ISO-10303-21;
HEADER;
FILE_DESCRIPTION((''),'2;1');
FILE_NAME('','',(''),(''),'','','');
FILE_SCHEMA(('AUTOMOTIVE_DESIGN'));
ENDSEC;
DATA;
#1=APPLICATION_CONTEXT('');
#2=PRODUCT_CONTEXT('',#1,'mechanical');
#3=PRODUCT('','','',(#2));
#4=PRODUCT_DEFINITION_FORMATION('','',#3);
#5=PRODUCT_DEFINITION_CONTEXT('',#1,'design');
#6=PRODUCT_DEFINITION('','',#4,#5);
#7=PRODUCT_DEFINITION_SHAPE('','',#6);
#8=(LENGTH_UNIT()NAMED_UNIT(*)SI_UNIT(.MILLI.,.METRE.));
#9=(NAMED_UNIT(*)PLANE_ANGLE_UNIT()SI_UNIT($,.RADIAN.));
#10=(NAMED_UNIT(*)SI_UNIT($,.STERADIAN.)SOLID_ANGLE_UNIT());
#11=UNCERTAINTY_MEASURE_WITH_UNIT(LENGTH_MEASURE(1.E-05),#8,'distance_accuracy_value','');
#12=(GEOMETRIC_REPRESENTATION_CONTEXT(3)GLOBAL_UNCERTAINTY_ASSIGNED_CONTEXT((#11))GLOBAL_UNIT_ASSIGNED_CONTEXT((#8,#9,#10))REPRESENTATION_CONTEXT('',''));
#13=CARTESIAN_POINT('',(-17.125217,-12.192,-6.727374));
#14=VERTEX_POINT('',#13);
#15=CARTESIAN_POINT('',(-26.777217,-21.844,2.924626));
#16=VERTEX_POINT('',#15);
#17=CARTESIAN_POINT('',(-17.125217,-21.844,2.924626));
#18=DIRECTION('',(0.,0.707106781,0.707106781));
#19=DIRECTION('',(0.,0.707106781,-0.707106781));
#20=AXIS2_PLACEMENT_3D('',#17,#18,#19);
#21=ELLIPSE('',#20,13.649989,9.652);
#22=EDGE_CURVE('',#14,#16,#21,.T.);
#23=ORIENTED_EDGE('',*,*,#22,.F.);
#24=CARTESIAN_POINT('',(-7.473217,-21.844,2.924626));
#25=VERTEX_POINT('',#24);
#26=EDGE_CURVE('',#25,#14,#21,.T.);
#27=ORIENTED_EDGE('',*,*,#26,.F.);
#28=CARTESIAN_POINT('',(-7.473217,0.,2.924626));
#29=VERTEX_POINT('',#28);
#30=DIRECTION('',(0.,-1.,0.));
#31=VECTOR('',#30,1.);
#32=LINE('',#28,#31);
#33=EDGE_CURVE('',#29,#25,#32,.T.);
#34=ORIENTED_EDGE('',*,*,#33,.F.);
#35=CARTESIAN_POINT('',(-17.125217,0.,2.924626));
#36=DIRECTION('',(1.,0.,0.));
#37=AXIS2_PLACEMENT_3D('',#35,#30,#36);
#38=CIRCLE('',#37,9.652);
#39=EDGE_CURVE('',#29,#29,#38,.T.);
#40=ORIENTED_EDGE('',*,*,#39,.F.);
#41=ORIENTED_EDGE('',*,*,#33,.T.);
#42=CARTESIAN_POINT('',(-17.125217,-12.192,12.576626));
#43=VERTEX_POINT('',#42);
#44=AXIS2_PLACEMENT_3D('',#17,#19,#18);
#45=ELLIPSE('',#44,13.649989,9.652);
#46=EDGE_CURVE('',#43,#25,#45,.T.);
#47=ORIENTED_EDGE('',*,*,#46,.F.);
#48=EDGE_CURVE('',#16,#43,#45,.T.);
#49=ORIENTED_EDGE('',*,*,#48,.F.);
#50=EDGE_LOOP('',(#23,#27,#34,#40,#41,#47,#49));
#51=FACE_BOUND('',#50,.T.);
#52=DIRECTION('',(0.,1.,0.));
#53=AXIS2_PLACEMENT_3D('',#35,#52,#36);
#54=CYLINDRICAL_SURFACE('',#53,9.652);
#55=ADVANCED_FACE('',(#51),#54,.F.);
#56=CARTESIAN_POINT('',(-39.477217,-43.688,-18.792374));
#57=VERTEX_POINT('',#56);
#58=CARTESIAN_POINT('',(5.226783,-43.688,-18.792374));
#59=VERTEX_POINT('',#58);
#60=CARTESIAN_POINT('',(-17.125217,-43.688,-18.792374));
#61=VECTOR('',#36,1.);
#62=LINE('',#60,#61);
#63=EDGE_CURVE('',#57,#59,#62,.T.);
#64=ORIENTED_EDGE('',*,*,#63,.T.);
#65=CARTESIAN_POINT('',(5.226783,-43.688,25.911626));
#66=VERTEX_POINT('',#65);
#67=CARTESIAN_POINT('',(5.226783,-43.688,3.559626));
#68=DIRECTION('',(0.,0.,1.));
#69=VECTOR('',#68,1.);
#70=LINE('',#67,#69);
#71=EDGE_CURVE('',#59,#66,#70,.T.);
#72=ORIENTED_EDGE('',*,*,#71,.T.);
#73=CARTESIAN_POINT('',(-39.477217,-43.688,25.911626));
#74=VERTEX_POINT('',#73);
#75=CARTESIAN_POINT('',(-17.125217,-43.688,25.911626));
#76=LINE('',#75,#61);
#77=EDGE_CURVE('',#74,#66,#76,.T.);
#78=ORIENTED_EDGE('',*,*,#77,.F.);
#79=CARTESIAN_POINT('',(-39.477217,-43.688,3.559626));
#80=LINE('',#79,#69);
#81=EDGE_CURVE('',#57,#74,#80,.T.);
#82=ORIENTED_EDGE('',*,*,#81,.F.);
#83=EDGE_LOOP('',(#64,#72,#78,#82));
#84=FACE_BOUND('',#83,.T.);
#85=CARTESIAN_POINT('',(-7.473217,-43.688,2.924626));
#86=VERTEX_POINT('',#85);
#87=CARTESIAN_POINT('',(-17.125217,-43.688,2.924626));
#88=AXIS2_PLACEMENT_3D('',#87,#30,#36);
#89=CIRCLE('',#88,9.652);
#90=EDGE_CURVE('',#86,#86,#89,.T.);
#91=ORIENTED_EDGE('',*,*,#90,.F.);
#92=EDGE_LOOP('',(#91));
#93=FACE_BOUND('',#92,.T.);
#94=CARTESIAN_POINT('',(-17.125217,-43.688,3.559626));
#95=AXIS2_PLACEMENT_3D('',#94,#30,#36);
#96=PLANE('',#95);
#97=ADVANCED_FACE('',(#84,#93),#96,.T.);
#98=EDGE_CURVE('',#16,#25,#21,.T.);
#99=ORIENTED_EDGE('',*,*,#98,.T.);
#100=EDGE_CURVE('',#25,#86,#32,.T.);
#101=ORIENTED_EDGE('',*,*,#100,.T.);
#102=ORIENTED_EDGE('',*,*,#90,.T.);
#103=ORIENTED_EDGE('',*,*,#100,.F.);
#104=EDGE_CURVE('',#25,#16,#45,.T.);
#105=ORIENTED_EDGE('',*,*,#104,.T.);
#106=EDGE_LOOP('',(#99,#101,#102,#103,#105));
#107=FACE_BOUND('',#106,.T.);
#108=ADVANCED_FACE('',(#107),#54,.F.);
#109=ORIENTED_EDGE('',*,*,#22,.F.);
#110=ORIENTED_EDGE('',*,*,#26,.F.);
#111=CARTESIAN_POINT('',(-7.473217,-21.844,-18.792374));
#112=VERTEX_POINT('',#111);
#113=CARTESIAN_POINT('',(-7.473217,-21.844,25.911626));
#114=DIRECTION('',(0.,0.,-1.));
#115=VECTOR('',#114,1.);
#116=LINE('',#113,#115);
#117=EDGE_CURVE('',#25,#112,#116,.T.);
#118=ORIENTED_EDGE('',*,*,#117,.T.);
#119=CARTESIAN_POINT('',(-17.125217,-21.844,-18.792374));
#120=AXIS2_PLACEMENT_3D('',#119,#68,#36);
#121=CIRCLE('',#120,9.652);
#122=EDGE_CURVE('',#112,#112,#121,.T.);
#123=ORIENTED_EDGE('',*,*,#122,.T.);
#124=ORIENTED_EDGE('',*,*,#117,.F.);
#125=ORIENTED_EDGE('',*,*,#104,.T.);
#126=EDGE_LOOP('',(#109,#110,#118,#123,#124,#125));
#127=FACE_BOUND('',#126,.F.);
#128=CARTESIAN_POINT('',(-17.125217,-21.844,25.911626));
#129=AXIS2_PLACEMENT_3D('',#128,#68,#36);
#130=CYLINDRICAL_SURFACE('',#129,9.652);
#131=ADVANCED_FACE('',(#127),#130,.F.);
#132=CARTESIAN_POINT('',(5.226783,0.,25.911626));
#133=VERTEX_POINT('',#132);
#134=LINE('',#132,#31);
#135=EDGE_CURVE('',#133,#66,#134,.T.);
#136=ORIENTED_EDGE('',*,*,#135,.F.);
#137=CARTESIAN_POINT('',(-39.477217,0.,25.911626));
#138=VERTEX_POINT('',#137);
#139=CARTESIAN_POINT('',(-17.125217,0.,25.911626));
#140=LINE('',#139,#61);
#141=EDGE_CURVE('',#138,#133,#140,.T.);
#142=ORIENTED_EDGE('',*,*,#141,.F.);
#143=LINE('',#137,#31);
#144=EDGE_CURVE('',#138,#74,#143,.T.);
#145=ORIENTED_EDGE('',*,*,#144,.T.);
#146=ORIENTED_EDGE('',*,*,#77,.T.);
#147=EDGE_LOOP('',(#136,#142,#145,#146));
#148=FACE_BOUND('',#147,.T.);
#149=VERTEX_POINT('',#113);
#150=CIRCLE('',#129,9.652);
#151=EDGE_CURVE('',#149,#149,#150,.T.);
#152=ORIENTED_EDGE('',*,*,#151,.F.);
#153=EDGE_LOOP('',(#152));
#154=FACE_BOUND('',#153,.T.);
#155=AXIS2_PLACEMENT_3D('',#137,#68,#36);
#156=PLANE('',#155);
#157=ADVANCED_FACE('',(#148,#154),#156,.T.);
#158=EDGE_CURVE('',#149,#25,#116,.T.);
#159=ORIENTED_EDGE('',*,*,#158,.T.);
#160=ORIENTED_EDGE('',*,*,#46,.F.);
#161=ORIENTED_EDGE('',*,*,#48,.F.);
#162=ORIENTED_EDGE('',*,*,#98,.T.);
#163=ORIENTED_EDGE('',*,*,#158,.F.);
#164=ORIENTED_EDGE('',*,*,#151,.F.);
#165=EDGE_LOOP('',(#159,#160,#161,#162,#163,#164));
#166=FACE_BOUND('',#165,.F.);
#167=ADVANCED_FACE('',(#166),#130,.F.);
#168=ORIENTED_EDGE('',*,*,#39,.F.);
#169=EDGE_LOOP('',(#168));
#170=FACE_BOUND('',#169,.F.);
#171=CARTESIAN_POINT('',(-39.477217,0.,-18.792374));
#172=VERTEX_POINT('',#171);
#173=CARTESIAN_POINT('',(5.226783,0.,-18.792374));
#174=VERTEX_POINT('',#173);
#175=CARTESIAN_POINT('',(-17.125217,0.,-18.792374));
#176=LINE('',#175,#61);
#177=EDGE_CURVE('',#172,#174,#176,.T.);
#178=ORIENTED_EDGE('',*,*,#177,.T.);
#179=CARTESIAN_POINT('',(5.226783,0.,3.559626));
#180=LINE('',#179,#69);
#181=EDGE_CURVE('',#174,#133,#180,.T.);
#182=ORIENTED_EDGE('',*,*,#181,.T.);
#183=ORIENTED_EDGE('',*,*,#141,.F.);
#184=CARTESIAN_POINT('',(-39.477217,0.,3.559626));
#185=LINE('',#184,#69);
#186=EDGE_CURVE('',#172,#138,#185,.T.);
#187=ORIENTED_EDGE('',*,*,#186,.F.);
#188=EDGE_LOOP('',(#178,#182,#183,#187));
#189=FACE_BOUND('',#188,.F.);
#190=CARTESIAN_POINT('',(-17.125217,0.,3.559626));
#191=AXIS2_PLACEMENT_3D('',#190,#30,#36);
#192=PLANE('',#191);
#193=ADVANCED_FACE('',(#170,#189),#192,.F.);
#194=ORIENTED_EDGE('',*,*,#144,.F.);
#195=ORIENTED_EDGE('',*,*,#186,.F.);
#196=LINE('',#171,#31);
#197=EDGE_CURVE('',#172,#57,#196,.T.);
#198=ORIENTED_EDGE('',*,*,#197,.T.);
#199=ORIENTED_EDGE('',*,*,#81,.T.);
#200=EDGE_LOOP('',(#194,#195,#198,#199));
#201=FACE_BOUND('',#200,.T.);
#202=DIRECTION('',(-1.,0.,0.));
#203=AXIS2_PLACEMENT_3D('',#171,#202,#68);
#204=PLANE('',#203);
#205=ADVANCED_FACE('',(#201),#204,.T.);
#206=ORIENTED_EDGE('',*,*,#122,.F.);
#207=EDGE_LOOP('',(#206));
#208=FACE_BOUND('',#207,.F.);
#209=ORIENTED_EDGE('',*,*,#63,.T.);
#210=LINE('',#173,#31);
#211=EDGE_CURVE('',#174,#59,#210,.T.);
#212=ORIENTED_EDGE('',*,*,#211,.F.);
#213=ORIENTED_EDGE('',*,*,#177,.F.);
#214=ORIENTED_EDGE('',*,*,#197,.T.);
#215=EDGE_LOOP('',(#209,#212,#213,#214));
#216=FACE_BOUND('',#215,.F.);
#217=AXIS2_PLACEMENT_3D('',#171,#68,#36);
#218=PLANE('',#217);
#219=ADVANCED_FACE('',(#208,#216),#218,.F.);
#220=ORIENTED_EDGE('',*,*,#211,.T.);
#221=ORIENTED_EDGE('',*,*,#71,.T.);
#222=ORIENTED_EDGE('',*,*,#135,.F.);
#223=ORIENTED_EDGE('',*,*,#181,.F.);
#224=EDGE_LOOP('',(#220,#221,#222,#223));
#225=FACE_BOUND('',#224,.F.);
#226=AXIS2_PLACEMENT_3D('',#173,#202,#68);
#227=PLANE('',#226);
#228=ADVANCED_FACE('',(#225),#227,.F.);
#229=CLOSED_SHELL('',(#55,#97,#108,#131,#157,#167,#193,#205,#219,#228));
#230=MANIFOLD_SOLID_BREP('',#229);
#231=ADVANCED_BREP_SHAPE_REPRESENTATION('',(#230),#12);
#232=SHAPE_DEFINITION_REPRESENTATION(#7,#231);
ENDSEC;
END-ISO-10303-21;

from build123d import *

# Parameters (mm, degrees)
F0_W     = 44.704
F0_H     = 44.704
F0_R     = 9.652
F1_DEPTH = 43.688
F2_R     = 9.652
F3_DEPTH = 44.705


with BuildPart() as f1:
    # F0 (on Front) → F1 (new body)
    with BuildSketch(Plane.XZ):
        with Locations((-17.125217, 3.559626)):
            Rectangle(F0_W, F0_H)
        with Locations((-17.125217, 2.924626)):
            Circle(F0_R, mode=Mode.SUBTRACT)
    extrude(amount=F1_DEPTH)

    # F2 (on face) → F3 (cut, through all)
    with BuildSketch(Plane.XY.offset(25.911626)):
        with Locations((-17.125217, -21.844)):
            Circle(F2_R)
    extrude(amount=-F3_DEPTH, mode=Mode.SUBTRACT)


solid = f1.part
